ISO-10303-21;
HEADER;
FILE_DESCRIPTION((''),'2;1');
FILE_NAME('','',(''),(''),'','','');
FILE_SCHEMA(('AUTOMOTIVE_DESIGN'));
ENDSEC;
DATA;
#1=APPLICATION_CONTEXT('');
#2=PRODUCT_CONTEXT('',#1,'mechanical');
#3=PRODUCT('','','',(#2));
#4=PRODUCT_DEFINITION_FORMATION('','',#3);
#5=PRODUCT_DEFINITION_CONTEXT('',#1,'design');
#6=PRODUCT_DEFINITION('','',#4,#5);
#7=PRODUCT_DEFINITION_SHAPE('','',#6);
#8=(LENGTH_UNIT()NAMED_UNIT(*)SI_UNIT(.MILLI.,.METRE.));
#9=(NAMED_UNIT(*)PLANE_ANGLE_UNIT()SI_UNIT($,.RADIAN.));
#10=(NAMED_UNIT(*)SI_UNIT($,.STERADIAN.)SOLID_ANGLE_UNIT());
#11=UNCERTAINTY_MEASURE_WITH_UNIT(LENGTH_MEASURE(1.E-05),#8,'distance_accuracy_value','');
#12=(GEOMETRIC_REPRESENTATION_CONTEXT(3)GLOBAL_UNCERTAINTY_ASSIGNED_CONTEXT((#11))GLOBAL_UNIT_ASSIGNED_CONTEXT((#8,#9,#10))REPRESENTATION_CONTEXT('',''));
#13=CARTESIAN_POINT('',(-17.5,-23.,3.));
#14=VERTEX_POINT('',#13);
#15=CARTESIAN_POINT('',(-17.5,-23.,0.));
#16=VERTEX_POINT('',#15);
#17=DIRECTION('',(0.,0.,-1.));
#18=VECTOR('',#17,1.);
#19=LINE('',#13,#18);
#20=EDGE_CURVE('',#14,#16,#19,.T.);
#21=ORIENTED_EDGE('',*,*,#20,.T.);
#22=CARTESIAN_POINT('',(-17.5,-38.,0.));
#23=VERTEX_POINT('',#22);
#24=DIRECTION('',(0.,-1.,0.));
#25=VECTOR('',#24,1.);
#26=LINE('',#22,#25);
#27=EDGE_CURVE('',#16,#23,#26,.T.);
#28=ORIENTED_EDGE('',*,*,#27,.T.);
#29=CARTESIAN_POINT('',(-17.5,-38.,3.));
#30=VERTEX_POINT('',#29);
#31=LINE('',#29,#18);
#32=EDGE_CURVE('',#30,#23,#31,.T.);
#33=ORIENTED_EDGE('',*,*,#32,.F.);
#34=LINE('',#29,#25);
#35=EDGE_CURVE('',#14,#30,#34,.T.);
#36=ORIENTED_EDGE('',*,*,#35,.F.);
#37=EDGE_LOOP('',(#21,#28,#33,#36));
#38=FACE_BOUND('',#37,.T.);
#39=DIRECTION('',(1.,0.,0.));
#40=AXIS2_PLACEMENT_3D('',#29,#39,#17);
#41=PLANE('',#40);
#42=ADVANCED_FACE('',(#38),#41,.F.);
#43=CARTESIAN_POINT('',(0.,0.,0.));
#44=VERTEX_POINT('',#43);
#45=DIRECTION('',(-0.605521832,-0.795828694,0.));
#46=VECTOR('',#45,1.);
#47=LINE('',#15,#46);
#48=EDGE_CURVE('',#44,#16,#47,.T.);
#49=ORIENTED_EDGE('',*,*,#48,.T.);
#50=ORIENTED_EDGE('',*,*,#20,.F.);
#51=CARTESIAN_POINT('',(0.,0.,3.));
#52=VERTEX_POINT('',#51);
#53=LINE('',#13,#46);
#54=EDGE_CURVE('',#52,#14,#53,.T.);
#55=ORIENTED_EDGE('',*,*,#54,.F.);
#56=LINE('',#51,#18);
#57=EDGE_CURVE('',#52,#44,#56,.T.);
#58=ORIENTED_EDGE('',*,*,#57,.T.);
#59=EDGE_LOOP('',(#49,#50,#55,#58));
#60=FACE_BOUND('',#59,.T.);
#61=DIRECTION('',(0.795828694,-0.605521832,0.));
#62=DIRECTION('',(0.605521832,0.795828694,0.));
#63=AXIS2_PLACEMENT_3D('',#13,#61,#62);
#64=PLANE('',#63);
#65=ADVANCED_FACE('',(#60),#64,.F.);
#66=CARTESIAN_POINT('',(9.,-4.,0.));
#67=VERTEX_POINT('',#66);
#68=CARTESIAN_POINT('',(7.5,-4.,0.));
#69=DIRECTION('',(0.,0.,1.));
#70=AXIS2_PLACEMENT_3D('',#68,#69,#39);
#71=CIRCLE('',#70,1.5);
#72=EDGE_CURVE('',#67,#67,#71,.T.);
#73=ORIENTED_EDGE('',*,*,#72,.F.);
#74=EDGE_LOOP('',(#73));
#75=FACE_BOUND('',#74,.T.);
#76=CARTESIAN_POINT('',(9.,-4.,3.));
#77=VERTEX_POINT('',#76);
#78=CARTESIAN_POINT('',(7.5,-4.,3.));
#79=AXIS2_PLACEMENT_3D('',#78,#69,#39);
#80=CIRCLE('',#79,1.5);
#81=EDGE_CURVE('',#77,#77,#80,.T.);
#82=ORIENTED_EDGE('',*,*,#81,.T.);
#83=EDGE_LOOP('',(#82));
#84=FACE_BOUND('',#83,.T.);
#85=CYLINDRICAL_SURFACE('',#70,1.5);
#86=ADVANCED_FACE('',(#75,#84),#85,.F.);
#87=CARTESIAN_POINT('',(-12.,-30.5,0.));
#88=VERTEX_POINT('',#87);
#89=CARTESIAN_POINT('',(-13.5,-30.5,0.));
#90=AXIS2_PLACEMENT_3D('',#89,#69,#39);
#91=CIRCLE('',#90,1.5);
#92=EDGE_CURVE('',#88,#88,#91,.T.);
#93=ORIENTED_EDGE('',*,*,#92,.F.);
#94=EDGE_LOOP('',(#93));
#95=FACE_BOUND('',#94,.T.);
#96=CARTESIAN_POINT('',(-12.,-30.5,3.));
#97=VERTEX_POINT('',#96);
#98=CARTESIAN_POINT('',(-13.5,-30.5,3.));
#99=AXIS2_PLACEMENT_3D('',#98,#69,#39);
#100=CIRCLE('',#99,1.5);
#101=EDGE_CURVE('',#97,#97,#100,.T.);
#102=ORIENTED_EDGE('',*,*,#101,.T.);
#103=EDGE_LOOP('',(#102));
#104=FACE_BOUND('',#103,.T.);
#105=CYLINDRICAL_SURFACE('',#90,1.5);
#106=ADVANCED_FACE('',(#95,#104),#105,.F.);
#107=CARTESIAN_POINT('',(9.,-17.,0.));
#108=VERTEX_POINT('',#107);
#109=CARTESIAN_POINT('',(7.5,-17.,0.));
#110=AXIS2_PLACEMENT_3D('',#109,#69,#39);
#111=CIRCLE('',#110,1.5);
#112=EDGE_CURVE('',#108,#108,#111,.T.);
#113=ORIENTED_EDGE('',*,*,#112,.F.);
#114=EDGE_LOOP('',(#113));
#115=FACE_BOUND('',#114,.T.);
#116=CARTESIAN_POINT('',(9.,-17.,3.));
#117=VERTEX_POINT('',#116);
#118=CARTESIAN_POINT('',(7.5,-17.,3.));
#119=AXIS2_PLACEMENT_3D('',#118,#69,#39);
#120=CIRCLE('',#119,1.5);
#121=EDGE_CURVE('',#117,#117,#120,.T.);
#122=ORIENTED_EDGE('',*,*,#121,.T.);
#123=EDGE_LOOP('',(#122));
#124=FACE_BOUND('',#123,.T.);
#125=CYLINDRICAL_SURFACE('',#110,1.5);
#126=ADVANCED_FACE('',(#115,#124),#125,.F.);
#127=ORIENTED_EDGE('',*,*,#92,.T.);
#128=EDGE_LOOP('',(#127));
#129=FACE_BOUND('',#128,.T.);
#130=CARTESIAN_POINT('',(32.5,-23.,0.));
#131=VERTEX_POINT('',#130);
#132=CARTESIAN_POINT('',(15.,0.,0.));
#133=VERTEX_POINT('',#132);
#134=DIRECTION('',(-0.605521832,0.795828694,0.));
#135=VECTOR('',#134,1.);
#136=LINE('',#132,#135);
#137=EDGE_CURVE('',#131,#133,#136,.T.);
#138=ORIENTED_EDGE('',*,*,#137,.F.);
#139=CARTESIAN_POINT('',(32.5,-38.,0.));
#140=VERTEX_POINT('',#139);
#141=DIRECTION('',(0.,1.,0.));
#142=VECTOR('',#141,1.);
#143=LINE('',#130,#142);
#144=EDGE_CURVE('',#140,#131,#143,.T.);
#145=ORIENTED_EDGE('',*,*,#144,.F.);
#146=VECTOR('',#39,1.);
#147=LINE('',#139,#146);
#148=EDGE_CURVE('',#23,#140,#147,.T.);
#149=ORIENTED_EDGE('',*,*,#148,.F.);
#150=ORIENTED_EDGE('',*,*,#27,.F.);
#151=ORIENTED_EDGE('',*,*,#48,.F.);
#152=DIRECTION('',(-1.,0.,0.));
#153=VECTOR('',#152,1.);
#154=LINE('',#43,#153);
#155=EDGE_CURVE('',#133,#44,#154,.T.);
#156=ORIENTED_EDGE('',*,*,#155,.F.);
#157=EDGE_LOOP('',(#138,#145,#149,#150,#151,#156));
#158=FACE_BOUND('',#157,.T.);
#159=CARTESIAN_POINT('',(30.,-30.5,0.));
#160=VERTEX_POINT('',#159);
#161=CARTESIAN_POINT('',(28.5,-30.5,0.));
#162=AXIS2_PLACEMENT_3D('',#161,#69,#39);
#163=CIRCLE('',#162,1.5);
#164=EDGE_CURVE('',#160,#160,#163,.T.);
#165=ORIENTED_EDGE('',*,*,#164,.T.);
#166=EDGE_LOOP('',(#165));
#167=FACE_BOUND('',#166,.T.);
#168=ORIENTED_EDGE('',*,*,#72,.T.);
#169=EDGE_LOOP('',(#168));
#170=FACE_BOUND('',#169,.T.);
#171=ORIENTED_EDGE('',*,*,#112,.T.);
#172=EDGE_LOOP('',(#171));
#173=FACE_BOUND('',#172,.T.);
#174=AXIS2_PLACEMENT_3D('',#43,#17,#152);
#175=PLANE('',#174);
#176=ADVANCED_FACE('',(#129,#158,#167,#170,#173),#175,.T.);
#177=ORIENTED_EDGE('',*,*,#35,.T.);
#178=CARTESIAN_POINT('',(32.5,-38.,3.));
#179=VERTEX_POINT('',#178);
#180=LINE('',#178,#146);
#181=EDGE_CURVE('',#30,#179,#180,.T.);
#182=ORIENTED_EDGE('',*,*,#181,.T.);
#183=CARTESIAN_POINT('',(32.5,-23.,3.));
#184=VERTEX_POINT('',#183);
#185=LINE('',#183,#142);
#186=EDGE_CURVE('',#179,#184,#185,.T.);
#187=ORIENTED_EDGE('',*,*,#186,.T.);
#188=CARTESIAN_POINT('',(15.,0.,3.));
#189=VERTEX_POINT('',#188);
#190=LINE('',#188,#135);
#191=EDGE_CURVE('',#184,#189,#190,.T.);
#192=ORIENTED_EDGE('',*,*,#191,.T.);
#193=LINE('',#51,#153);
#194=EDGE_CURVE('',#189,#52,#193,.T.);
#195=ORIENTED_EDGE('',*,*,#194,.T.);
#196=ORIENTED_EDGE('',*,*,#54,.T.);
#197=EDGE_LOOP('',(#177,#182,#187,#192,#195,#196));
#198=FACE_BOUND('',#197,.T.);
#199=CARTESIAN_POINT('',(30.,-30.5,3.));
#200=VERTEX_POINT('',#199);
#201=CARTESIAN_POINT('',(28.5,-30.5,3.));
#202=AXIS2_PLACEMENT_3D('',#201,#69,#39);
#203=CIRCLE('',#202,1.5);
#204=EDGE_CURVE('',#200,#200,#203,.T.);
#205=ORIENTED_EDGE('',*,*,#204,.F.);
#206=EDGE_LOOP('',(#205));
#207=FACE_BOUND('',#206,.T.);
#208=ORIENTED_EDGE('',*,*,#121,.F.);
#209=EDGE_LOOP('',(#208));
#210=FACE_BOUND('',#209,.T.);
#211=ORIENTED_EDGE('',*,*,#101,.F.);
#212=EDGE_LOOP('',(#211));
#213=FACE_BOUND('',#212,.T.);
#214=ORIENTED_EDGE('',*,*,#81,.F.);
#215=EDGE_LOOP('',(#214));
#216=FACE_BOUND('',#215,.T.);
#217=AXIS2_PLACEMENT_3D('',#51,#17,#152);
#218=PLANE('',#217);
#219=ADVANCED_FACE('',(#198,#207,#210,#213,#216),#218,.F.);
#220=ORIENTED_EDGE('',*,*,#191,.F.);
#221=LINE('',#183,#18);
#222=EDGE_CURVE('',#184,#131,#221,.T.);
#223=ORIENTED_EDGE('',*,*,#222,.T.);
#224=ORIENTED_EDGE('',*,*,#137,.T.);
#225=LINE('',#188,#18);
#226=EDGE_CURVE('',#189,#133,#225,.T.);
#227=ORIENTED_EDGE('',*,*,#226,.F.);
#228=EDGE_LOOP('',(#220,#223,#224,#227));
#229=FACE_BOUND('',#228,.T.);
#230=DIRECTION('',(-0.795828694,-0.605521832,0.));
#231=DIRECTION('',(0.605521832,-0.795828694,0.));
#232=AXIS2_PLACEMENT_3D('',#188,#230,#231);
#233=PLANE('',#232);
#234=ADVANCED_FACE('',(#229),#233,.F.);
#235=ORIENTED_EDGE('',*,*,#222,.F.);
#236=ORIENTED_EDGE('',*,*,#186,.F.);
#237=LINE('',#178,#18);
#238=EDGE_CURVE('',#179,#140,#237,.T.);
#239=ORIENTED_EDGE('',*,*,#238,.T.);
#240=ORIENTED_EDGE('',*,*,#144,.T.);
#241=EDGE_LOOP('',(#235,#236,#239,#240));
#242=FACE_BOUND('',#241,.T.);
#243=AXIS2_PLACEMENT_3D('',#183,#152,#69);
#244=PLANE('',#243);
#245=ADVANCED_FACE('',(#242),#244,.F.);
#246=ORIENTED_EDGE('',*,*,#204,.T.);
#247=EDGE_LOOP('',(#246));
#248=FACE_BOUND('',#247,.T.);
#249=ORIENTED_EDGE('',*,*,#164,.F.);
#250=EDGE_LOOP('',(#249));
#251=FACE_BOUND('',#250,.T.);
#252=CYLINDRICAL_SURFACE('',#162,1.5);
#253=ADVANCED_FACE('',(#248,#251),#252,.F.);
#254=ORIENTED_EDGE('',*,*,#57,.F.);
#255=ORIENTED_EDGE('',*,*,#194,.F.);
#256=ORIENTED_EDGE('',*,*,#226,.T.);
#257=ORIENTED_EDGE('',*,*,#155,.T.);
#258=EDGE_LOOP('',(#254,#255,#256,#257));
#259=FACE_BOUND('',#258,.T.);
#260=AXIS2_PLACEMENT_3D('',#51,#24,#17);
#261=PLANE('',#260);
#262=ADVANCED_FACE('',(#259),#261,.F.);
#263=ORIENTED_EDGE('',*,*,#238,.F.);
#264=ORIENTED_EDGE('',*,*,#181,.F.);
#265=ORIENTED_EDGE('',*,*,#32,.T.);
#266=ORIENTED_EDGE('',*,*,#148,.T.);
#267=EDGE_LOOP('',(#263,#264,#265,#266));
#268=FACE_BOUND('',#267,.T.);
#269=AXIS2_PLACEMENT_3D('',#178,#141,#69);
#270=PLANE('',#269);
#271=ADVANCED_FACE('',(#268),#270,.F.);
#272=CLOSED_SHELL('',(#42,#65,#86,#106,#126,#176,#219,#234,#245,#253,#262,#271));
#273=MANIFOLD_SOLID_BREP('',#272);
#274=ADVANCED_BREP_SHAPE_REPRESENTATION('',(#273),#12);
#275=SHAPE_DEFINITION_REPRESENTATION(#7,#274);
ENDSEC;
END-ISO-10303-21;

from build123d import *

# Parameters (mm, degrees)
EXTRUDE_1_DEPTH     = 3
SKETCH_2_R          = 1.5
CUT_EXTRUDE_1_DEPTH = 3


with BuildPart() as part:
    # 草图1 → 凸台-拉伸1 (new body)
    with BuildSketch(Plane.XY):
        Polygon((0, 0), (15, 0), (32.5, -23), (32.5, -38), (-17.5, -38), (-17.5, -23), align=None)
    extrude(amount=EXTRUDE_1_DEPTH)

    # 草图2 → 切除-拉伸1 (cut)
    with BuildSketch(Plane.XY.offset(3)):
        with Locations((7.5, -4)):
            Circle(SKETCH_2_R)
        with Locations((7.5, -17)):
            Circle(SKETCH_2_R)
        with Locations((28.5, -30.5)):
            Circle(SKETCH_2_R)
        with Locations((-13.5, -30.5)):
            Circle(SKETCH_2_R)
    extrude(amount=-CUT_EXTRUDE_1_DEPTH, mode=Mode.SUBTRACT)


solid = part.part
